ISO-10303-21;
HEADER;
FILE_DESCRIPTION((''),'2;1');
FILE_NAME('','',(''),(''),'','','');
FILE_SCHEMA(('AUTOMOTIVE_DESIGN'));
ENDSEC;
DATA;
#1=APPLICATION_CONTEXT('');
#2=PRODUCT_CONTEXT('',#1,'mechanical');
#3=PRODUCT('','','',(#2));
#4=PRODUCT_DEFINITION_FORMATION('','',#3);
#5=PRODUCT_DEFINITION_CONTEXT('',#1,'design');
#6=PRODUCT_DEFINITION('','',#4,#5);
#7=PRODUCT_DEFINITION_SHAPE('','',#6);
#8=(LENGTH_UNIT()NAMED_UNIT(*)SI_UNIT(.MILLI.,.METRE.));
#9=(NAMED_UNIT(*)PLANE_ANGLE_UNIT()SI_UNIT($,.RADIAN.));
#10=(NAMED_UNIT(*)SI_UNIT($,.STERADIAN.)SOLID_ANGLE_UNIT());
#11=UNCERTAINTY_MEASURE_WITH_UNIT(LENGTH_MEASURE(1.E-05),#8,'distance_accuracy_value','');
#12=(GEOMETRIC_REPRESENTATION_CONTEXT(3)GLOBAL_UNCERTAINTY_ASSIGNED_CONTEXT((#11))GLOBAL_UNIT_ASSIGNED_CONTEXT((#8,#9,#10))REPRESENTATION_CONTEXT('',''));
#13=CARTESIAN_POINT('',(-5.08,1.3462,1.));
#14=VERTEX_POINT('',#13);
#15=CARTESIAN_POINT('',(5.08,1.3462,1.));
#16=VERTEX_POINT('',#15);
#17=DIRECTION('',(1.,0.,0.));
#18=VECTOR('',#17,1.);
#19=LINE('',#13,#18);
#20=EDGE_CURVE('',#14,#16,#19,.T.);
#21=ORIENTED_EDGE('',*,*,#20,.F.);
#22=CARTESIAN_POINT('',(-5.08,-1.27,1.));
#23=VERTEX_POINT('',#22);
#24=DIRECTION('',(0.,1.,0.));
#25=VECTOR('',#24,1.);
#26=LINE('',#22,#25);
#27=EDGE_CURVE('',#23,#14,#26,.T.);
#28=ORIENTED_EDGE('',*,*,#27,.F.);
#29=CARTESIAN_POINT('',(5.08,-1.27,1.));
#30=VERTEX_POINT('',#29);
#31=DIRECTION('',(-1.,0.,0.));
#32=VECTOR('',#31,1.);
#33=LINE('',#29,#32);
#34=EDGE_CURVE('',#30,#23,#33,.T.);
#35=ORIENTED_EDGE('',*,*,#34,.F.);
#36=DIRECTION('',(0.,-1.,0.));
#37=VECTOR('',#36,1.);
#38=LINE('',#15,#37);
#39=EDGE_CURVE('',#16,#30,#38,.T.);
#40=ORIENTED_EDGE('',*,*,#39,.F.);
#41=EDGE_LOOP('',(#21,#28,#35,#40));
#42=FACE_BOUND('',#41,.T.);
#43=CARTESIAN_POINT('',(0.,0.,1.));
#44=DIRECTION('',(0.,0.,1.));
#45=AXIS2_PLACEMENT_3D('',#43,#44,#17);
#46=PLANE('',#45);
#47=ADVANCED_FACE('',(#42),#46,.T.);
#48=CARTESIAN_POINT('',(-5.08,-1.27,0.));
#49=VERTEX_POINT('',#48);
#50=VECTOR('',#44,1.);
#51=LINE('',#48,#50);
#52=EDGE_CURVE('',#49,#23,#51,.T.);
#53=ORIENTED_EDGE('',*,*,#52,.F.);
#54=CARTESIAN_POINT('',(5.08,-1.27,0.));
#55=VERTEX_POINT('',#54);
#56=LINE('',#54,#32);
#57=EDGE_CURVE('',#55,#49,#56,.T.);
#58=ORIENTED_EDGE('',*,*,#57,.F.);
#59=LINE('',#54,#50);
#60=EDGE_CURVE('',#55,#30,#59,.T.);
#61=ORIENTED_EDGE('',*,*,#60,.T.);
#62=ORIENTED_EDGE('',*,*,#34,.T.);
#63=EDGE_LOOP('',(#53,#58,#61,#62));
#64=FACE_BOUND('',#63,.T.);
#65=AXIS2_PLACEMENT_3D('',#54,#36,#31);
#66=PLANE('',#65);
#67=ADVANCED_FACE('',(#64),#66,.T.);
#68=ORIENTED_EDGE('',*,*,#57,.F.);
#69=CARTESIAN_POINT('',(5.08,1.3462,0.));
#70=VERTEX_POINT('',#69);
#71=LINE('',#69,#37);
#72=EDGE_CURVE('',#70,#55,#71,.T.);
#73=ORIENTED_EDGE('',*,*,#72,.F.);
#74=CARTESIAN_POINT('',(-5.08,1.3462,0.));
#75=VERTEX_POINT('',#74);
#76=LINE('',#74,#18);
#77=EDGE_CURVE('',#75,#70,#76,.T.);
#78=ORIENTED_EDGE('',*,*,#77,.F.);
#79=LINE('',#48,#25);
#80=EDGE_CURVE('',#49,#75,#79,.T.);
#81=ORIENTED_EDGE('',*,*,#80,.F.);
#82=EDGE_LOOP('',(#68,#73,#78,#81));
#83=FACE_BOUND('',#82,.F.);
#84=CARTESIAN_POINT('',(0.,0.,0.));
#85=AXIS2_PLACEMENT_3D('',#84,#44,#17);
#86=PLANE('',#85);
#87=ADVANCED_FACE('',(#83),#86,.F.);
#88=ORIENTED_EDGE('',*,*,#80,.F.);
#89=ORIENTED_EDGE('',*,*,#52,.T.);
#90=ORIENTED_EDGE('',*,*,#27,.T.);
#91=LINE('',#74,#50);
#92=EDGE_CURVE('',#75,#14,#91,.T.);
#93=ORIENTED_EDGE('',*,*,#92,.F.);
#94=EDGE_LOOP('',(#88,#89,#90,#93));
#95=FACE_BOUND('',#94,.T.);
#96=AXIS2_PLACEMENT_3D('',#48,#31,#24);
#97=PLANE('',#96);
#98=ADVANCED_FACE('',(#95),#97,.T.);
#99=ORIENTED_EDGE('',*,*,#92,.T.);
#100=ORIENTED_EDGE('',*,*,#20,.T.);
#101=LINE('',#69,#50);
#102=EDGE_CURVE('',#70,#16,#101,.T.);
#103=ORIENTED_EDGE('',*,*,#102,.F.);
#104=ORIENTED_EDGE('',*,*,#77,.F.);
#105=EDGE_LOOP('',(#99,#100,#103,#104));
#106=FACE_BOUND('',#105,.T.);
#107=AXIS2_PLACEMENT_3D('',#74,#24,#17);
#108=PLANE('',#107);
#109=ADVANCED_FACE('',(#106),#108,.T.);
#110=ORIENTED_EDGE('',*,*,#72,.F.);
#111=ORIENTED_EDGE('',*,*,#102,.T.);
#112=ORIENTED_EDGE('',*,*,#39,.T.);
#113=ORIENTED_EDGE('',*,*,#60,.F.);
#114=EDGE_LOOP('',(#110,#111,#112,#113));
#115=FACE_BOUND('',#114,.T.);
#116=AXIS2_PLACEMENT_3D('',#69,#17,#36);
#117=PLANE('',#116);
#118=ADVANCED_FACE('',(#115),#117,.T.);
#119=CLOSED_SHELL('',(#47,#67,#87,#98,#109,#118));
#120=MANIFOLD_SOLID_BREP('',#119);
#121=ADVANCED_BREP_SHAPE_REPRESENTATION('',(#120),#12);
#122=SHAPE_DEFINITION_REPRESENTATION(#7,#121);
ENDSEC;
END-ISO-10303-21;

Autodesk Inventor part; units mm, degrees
ref_plane "YZ Plane" through (0, 0, 0) normal (1, 0, 0) x (0, 1, 0)
ref_plane "XZ Plane" through (0, 0, 0) normal (0, 1, 0) x (-1, 0, 0)
ref_plane "XY Plane" through (0, 0, 0) normal (0, 0, 1) x (1, 0, 0)
sketch "1X04, 1X04_17" plane through (0, 0, 0) normal (0, 0, 1) x (1, 0, 0)
  line L0 (-5.08, 1.3462) -> (5.08, 1.3462)
  line L1 (5.08, 1.3462) -> (5.08, -1.27)
  line L2 (5.08, -1.27) -> (-5.08, -1.27)
  line L3 (-5.08, -1.27) -> (-5.08, 1.3462)
extrude "Extrusion1" add sketch "1X04, 1X04_17" along normal blind 1
properties part number "1X04"
